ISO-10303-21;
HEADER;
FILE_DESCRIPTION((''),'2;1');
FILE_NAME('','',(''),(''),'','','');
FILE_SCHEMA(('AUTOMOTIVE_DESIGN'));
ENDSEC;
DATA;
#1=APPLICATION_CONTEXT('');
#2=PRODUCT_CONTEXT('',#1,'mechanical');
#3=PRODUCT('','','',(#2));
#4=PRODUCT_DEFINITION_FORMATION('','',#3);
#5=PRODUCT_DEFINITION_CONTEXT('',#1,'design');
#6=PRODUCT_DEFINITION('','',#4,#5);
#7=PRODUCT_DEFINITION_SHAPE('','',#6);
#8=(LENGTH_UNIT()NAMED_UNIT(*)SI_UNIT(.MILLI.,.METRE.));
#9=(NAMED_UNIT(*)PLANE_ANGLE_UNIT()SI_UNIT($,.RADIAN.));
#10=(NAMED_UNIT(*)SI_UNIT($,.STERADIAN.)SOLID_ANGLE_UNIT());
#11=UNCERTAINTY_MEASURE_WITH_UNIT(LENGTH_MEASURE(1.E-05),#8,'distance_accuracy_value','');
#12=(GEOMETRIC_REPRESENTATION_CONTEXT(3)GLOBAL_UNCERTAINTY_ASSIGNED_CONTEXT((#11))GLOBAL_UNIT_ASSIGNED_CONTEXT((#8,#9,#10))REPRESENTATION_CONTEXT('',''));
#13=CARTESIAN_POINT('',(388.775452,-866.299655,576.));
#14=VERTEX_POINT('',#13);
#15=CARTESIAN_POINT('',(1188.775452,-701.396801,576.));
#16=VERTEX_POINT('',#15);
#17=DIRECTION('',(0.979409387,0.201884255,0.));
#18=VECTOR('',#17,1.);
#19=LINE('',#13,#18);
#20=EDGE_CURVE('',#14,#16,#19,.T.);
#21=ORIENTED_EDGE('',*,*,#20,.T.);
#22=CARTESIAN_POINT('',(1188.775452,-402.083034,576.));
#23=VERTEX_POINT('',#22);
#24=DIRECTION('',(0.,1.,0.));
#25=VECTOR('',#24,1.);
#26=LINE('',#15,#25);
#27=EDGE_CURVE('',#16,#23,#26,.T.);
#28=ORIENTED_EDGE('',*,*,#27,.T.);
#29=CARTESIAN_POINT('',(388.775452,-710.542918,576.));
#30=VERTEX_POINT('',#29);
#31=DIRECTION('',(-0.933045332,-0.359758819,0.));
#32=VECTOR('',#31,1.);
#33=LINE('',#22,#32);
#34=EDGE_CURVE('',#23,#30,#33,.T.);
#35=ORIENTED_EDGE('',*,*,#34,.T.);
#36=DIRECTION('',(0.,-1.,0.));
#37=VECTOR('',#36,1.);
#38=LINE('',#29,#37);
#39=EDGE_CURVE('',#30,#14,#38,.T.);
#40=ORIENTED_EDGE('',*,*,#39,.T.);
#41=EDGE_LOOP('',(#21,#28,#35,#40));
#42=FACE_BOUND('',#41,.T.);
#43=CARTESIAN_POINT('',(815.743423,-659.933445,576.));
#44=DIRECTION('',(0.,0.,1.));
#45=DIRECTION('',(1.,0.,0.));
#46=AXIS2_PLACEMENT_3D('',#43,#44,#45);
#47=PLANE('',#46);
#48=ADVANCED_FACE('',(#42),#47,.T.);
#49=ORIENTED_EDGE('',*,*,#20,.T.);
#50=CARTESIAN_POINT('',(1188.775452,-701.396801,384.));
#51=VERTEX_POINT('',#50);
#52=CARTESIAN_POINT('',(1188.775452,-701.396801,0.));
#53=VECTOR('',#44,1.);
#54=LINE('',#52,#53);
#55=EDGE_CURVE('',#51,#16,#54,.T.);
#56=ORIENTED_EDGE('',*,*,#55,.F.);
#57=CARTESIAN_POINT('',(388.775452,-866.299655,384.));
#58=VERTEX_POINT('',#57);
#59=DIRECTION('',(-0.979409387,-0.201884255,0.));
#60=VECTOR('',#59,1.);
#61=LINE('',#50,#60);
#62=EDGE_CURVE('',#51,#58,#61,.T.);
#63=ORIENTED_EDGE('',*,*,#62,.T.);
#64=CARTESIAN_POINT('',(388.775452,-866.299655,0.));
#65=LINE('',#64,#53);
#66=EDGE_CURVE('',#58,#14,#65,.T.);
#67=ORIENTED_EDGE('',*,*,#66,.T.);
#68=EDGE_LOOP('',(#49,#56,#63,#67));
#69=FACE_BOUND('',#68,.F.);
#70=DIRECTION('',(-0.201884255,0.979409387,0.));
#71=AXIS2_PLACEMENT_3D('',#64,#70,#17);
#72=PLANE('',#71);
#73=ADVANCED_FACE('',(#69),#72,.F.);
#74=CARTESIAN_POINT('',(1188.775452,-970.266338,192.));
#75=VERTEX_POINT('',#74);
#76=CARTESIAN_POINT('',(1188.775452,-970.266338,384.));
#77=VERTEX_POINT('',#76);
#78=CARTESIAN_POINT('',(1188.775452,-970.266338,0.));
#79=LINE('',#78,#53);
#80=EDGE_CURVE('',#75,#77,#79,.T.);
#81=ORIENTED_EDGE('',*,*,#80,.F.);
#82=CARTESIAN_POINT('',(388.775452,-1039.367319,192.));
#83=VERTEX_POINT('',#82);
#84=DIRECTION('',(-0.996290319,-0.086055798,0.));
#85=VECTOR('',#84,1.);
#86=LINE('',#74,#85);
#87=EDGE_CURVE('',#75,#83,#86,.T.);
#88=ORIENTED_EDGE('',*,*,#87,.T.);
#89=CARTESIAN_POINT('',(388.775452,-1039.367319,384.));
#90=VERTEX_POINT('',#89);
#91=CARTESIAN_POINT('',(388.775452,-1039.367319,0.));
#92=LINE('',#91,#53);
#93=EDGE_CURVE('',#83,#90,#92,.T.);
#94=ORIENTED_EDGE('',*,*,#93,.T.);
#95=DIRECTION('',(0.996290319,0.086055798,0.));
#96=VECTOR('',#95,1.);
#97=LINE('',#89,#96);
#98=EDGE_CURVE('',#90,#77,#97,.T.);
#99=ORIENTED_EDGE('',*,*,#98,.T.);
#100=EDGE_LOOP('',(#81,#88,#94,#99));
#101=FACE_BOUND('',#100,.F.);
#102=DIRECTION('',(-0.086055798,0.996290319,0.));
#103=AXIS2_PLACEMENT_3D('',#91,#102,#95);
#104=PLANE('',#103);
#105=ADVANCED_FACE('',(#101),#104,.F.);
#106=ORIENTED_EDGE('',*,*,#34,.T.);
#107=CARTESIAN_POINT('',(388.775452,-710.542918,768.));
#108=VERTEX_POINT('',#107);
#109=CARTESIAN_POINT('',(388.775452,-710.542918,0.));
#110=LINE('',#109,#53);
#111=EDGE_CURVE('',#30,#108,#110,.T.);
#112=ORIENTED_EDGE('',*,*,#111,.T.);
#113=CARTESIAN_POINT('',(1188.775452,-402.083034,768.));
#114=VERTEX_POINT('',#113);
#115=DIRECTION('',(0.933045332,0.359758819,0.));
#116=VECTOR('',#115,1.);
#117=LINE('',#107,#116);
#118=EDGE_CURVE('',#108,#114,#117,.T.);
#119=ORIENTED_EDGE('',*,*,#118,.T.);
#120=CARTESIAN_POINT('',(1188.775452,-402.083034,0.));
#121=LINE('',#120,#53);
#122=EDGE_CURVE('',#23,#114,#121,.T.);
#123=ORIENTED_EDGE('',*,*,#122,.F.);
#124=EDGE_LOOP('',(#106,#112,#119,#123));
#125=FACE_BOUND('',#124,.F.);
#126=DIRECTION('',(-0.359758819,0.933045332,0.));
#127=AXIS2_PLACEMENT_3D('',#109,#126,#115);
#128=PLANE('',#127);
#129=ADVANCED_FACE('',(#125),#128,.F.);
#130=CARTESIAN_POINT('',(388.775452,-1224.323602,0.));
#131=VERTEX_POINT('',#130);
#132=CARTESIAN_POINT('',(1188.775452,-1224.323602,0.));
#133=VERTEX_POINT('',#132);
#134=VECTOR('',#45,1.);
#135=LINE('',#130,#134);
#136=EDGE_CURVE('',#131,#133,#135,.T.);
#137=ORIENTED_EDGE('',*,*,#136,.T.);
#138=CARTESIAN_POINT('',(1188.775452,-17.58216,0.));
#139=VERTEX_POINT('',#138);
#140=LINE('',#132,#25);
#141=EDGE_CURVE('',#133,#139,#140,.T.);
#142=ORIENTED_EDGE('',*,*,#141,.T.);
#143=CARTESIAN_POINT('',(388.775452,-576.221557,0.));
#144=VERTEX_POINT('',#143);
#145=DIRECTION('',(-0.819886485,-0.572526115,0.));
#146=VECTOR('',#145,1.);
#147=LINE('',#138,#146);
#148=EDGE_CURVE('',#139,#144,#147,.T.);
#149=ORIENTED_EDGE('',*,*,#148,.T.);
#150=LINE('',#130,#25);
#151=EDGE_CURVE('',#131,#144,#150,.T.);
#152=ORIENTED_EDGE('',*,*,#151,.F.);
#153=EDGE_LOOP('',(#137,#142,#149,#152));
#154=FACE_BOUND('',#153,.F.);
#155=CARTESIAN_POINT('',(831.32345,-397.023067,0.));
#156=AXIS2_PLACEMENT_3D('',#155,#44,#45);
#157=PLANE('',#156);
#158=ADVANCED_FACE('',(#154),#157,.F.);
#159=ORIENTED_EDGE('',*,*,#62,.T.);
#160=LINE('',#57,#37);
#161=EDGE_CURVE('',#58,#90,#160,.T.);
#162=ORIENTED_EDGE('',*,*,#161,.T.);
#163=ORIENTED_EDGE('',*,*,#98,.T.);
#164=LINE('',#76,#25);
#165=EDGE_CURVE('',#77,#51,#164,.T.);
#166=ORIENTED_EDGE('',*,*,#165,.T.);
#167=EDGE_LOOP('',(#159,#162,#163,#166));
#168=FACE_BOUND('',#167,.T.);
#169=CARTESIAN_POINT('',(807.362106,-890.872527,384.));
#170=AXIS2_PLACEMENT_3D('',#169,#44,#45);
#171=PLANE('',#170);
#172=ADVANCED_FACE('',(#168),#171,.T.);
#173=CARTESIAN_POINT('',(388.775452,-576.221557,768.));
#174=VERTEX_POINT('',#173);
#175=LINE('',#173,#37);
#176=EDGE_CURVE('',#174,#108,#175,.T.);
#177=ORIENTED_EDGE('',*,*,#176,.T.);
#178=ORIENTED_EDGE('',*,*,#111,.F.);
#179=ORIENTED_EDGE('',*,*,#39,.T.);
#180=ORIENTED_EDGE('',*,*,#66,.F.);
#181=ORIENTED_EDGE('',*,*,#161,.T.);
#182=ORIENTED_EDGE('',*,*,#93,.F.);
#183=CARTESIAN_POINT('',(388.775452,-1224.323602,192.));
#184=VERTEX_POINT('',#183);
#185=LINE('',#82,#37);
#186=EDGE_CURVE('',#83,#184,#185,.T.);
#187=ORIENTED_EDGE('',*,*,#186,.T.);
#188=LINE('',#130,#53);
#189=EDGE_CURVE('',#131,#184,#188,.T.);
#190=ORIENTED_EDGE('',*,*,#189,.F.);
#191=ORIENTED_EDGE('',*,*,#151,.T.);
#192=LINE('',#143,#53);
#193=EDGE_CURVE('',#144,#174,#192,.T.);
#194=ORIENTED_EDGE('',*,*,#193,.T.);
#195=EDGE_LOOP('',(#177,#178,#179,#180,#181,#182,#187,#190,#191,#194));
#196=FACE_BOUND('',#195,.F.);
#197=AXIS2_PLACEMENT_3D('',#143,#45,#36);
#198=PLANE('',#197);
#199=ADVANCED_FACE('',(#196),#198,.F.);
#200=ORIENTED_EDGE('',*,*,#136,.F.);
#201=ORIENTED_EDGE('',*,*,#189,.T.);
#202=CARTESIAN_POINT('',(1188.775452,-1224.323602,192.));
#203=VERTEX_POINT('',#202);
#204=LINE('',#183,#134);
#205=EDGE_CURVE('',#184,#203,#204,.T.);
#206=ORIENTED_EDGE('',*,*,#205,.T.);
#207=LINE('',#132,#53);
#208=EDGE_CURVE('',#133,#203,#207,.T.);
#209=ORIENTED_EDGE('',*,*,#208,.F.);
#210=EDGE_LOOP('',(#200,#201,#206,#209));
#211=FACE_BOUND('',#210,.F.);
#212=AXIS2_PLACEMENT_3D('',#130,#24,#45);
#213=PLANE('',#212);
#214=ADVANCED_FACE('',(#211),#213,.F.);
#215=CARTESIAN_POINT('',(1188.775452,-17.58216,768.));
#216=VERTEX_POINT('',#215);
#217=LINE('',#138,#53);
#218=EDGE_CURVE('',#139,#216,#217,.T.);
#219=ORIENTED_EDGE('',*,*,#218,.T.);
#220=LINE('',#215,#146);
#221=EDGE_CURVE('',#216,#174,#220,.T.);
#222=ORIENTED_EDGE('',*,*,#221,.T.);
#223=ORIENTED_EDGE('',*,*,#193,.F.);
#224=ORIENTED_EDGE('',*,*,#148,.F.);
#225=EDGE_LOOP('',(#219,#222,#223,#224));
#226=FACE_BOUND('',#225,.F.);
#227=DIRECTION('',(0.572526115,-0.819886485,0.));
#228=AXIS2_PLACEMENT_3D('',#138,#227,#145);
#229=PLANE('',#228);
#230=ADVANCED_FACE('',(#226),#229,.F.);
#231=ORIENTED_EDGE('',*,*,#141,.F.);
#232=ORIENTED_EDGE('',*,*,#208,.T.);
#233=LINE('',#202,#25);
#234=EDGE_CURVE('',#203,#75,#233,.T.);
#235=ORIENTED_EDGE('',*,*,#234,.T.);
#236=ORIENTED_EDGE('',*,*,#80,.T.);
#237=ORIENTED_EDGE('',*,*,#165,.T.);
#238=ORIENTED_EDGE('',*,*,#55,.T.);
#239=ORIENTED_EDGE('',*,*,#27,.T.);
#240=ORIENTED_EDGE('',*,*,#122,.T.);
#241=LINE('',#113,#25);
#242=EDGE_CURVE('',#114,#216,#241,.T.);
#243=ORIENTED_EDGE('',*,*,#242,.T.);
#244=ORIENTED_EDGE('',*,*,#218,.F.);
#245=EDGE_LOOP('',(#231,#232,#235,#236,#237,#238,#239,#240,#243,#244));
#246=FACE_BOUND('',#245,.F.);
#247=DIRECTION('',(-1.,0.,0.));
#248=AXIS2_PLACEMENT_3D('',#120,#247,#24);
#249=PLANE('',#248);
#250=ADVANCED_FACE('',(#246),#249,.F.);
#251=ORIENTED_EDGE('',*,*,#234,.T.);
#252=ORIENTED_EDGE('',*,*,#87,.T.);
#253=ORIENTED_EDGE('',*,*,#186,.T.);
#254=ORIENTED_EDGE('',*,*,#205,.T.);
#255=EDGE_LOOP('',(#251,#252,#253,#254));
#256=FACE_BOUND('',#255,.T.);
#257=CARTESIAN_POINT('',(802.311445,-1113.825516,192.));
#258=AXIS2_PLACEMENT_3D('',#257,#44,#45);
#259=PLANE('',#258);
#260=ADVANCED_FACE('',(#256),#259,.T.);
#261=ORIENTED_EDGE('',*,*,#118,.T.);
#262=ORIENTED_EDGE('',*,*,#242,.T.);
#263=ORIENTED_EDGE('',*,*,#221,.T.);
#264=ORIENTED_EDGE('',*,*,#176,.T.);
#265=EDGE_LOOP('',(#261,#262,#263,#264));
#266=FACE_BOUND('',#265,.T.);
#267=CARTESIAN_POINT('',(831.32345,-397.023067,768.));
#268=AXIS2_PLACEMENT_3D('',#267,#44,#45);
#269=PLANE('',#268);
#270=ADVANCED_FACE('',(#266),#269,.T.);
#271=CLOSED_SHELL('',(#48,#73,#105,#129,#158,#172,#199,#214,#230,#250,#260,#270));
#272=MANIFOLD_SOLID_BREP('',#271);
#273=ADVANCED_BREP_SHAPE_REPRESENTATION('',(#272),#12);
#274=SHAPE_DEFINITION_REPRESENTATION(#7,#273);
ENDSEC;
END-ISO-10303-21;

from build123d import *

# Parameters (mm, degrees)
F1_DEPTH = 192
F2_DEPTH = 384
F3_DEPTH = 576
F4_DEPTH = 768


with BuildPart() as f1:
    # F0 (on Top) → F1 (new body)
    with BuildSketch(Plane.XY):
        Polygon((1188.775452454, -1224.3236021269), (1188.775452454, -970.2663376007), (388.775452454, -1039.3673186817), (388.775452454, -1224.3236021269), align=None)
    extrude(amount=F1_DEPTH)

    # F0 (on Top) → F2 (join)
    with BuildSketch(Plane.XY):
        Polygon((1188.775452454, -970.2663376007), (1188.775452454, -701.3968009689), (388.775452454, -866.2996554468), (388.775452454, -1039.3673186817), align=None)
    extrude(amount=F2_DEPTH)

    # F0 (on Top) → F3 (join)
    with BuildSketch(Plane.XY):
        Polygon((1188.775452454, -701.3968009689), (1188.775452454, -402.0830337411), (388.775452454, -710.5429181553), (388.775452454, -866.2996554468), align=None)
    extrude(amount=F3_DEPTH)

    # F0 (on Top) → F4 (join)
    with BuildSketch(Plane.XY):
        Polygon((1188.775452454, -402.0830337411), (1188.775452454, -17.5821596523), (735.1856139678, -334.3236021269), (448.775452454, -534.3236021269), (388.775452454, -576.2215569221), (388.775452454, -710.5429181553), align=None)
    extrude(amount=F4_DEPTH)


solid = f1.part
